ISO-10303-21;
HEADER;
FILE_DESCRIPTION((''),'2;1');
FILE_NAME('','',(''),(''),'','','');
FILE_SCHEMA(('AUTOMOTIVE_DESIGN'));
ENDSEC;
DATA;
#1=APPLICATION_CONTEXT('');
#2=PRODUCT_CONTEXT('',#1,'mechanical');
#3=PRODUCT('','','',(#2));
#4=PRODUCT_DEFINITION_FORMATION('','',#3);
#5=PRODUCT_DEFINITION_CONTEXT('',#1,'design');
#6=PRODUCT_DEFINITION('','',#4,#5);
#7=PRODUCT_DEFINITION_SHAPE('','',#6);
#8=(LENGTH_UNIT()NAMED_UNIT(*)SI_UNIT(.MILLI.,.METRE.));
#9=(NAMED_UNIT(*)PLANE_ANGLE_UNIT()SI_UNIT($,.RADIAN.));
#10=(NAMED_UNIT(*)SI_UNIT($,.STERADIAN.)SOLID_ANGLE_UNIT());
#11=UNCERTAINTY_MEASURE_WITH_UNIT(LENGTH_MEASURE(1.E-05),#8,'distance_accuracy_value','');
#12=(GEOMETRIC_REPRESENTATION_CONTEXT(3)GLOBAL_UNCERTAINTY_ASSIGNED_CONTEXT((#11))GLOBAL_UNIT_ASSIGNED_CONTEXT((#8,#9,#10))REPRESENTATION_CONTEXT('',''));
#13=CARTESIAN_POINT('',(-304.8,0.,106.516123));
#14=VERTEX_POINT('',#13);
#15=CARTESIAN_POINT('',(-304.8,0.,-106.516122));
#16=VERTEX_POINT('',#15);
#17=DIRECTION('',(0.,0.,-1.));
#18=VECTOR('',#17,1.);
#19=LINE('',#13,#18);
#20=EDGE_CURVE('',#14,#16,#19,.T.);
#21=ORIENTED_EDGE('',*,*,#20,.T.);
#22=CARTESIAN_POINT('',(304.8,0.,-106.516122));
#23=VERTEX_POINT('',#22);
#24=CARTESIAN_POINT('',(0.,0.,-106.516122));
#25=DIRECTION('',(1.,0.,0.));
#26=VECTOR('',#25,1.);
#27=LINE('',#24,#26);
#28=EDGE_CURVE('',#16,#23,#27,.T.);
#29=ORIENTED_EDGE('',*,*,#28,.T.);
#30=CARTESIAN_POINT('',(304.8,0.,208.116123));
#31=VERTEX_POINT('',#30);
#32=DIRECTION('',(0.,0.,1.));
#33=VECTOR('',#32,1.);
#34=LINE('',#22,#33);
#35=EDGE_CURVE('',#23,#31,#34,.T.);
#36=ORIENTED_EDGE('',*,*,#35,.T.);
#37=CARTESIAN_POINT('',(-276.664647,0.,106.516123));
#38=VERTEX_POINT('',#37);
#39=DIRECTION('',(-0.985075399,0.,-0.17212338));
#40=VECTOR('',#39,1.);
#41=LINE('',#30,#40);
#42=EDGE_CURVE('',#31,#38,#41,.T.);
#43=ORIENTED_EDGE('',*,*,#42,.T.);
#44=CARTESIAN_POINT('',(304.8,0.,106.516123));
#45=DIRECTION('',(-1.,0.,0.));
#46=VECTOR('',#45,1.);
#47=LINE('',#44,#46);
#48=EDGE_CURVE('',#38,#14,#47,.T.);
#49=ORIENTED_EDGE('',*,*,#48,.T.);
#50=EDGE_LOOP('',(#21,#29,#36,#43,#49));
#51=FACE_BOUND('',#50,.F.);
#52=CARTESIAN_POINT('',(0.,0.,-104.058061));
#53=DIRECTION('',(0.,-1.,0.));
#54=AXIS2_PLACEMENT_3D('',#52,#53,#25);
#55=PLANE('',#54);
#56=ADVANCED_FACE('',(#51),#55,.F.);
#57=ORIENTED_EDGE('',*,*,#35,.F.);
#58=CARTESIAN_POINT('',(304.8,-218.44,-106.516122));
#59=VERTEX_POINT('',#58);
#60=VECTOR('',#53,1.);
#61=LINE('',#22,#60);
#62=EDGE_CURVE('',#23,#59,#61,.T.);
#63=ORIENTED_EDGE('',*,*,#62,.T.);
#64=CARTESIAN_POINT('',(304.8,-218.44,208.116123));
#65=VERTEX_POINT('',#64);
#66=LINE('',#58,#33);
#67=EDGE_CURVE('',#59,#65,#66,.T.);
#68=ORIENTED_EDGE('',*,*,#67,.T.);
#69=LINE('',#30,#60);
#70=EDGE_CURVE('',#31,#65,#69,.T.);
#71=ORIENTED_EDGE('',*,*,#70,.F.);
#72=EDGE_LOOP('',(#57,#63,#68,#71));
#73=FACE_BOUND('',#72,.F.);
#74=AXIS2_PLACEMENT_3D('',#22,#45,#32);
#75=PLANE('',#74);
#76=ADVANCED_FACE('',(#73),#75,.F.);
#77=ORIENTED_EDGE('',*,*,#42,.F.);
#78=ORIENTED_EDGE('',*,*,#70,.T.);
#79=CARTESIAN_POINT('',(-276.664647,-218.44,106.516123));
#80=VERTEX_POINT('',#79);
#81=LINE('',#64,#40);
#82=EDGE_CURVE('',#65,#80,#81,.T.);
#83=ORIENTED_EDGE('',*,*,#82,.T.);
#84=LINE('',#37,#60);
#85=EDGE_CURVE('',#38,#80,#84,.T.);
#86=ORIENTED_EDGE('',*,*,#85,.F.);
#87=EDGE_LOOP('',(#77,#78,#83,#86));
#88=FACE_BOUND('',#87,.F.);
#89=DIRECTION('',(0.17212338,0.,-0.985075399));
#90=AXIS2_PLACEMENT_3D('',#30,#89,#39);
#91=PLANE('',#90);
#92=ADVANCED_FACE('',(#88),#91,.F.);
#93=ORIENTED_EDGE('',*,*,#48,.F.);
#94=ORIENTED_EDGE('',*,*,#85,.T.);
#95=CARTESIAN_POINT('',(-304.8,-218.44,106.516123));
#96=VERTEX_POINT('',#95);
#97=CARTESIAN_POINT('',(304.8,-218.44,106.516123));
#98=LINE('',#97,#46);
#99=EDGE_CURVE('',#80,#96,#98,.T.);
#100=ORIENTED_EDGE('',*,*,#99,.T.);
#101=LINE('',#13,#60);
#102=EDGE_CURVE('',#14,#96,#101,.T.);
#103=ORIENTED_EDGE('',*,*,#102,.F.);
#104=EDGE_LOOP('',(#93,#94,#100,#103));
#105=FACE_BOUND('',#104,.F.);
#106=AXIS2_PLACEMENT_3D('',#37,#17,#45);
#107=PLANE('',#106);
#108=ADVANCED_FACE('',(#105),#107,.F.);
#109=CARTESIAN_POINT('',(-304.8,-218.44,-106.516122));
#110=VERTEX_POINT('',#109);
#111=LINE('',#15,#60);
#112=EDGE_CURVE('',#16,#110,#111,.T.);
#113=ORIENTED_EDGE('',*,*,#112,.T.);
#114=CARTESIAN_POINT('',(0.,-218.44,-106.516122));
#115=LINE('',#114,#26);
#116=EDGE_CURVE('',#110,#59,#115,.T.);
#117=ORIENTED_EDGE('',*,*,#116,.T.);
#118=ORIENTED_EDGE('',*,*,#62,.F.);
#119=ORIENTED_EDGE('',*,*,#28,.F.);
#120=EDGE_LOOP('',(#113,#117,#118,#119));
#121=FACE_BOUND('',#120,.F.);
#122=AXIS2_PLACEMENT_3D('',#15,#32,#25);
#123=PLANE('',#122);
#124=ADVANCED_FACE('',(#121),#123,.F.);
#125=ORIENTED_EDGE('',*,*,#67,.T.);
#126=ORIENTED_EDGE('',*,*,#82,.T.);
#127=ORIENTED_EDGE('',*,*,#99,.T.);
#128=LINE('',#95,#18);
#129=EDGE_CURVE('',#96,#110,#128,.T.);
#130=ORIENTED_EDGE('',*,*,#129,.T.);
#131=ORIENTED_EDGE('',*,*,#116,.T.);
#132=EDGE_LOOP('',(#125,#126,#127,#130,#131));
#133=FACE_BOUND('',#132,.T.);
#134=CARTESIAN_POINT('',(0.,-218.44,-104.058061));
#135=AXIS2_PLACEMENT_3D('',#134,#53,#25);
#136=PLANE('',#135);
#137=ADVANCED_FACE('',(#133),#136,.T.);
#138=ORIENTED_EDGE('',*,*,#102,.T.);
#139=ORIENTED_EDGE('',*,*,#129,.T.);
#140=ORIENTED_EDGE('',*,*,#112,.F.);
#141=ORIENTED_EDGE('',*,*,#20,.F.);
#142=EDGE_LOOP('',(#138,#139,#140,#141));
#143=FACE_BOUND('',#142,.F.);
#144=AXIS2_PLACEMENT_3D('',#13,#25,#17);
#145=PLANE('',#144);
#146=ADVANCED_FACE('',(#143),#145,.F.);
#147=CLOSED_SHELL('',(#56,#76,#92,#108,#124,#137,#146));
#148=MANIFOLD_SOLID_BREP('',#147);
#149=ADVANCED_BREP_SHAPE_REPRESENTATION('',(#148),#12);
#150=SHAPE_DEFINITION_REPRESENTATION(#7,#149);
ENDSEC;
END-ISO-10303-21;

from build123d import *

# Parameters (mm, degrees)
F0_W     = 609.6
F0_H     = 4.916123
F0_H_2   = 203.2
F1_DEPTH = 218.44


with BuildPart() as f1:
    # F0 (on Front) → F1 (new body)
    with BuildSketch(Plane.XZ):
        with Locations((0, -104.058061)):
            Rectangle(F0_W, F0_H)
        Rectangle(F0_W, F0_H_2)
        Polygon((-304.8, 101.6), (304.8, 101.6), (304.8, 106.516123), (-276.664647, 106.516123), align=None)
        Polygon((-304.8, 106.516123), (-304.8, 101.6), (-276.664647, 106.516123), align=None)
        Polygon((-276.664647, 106.516123), (304.8, 106.516123), (304.8, 208.116123), align=None)
    extrude(amount=F1_DEPTH)


solid = f1.part
